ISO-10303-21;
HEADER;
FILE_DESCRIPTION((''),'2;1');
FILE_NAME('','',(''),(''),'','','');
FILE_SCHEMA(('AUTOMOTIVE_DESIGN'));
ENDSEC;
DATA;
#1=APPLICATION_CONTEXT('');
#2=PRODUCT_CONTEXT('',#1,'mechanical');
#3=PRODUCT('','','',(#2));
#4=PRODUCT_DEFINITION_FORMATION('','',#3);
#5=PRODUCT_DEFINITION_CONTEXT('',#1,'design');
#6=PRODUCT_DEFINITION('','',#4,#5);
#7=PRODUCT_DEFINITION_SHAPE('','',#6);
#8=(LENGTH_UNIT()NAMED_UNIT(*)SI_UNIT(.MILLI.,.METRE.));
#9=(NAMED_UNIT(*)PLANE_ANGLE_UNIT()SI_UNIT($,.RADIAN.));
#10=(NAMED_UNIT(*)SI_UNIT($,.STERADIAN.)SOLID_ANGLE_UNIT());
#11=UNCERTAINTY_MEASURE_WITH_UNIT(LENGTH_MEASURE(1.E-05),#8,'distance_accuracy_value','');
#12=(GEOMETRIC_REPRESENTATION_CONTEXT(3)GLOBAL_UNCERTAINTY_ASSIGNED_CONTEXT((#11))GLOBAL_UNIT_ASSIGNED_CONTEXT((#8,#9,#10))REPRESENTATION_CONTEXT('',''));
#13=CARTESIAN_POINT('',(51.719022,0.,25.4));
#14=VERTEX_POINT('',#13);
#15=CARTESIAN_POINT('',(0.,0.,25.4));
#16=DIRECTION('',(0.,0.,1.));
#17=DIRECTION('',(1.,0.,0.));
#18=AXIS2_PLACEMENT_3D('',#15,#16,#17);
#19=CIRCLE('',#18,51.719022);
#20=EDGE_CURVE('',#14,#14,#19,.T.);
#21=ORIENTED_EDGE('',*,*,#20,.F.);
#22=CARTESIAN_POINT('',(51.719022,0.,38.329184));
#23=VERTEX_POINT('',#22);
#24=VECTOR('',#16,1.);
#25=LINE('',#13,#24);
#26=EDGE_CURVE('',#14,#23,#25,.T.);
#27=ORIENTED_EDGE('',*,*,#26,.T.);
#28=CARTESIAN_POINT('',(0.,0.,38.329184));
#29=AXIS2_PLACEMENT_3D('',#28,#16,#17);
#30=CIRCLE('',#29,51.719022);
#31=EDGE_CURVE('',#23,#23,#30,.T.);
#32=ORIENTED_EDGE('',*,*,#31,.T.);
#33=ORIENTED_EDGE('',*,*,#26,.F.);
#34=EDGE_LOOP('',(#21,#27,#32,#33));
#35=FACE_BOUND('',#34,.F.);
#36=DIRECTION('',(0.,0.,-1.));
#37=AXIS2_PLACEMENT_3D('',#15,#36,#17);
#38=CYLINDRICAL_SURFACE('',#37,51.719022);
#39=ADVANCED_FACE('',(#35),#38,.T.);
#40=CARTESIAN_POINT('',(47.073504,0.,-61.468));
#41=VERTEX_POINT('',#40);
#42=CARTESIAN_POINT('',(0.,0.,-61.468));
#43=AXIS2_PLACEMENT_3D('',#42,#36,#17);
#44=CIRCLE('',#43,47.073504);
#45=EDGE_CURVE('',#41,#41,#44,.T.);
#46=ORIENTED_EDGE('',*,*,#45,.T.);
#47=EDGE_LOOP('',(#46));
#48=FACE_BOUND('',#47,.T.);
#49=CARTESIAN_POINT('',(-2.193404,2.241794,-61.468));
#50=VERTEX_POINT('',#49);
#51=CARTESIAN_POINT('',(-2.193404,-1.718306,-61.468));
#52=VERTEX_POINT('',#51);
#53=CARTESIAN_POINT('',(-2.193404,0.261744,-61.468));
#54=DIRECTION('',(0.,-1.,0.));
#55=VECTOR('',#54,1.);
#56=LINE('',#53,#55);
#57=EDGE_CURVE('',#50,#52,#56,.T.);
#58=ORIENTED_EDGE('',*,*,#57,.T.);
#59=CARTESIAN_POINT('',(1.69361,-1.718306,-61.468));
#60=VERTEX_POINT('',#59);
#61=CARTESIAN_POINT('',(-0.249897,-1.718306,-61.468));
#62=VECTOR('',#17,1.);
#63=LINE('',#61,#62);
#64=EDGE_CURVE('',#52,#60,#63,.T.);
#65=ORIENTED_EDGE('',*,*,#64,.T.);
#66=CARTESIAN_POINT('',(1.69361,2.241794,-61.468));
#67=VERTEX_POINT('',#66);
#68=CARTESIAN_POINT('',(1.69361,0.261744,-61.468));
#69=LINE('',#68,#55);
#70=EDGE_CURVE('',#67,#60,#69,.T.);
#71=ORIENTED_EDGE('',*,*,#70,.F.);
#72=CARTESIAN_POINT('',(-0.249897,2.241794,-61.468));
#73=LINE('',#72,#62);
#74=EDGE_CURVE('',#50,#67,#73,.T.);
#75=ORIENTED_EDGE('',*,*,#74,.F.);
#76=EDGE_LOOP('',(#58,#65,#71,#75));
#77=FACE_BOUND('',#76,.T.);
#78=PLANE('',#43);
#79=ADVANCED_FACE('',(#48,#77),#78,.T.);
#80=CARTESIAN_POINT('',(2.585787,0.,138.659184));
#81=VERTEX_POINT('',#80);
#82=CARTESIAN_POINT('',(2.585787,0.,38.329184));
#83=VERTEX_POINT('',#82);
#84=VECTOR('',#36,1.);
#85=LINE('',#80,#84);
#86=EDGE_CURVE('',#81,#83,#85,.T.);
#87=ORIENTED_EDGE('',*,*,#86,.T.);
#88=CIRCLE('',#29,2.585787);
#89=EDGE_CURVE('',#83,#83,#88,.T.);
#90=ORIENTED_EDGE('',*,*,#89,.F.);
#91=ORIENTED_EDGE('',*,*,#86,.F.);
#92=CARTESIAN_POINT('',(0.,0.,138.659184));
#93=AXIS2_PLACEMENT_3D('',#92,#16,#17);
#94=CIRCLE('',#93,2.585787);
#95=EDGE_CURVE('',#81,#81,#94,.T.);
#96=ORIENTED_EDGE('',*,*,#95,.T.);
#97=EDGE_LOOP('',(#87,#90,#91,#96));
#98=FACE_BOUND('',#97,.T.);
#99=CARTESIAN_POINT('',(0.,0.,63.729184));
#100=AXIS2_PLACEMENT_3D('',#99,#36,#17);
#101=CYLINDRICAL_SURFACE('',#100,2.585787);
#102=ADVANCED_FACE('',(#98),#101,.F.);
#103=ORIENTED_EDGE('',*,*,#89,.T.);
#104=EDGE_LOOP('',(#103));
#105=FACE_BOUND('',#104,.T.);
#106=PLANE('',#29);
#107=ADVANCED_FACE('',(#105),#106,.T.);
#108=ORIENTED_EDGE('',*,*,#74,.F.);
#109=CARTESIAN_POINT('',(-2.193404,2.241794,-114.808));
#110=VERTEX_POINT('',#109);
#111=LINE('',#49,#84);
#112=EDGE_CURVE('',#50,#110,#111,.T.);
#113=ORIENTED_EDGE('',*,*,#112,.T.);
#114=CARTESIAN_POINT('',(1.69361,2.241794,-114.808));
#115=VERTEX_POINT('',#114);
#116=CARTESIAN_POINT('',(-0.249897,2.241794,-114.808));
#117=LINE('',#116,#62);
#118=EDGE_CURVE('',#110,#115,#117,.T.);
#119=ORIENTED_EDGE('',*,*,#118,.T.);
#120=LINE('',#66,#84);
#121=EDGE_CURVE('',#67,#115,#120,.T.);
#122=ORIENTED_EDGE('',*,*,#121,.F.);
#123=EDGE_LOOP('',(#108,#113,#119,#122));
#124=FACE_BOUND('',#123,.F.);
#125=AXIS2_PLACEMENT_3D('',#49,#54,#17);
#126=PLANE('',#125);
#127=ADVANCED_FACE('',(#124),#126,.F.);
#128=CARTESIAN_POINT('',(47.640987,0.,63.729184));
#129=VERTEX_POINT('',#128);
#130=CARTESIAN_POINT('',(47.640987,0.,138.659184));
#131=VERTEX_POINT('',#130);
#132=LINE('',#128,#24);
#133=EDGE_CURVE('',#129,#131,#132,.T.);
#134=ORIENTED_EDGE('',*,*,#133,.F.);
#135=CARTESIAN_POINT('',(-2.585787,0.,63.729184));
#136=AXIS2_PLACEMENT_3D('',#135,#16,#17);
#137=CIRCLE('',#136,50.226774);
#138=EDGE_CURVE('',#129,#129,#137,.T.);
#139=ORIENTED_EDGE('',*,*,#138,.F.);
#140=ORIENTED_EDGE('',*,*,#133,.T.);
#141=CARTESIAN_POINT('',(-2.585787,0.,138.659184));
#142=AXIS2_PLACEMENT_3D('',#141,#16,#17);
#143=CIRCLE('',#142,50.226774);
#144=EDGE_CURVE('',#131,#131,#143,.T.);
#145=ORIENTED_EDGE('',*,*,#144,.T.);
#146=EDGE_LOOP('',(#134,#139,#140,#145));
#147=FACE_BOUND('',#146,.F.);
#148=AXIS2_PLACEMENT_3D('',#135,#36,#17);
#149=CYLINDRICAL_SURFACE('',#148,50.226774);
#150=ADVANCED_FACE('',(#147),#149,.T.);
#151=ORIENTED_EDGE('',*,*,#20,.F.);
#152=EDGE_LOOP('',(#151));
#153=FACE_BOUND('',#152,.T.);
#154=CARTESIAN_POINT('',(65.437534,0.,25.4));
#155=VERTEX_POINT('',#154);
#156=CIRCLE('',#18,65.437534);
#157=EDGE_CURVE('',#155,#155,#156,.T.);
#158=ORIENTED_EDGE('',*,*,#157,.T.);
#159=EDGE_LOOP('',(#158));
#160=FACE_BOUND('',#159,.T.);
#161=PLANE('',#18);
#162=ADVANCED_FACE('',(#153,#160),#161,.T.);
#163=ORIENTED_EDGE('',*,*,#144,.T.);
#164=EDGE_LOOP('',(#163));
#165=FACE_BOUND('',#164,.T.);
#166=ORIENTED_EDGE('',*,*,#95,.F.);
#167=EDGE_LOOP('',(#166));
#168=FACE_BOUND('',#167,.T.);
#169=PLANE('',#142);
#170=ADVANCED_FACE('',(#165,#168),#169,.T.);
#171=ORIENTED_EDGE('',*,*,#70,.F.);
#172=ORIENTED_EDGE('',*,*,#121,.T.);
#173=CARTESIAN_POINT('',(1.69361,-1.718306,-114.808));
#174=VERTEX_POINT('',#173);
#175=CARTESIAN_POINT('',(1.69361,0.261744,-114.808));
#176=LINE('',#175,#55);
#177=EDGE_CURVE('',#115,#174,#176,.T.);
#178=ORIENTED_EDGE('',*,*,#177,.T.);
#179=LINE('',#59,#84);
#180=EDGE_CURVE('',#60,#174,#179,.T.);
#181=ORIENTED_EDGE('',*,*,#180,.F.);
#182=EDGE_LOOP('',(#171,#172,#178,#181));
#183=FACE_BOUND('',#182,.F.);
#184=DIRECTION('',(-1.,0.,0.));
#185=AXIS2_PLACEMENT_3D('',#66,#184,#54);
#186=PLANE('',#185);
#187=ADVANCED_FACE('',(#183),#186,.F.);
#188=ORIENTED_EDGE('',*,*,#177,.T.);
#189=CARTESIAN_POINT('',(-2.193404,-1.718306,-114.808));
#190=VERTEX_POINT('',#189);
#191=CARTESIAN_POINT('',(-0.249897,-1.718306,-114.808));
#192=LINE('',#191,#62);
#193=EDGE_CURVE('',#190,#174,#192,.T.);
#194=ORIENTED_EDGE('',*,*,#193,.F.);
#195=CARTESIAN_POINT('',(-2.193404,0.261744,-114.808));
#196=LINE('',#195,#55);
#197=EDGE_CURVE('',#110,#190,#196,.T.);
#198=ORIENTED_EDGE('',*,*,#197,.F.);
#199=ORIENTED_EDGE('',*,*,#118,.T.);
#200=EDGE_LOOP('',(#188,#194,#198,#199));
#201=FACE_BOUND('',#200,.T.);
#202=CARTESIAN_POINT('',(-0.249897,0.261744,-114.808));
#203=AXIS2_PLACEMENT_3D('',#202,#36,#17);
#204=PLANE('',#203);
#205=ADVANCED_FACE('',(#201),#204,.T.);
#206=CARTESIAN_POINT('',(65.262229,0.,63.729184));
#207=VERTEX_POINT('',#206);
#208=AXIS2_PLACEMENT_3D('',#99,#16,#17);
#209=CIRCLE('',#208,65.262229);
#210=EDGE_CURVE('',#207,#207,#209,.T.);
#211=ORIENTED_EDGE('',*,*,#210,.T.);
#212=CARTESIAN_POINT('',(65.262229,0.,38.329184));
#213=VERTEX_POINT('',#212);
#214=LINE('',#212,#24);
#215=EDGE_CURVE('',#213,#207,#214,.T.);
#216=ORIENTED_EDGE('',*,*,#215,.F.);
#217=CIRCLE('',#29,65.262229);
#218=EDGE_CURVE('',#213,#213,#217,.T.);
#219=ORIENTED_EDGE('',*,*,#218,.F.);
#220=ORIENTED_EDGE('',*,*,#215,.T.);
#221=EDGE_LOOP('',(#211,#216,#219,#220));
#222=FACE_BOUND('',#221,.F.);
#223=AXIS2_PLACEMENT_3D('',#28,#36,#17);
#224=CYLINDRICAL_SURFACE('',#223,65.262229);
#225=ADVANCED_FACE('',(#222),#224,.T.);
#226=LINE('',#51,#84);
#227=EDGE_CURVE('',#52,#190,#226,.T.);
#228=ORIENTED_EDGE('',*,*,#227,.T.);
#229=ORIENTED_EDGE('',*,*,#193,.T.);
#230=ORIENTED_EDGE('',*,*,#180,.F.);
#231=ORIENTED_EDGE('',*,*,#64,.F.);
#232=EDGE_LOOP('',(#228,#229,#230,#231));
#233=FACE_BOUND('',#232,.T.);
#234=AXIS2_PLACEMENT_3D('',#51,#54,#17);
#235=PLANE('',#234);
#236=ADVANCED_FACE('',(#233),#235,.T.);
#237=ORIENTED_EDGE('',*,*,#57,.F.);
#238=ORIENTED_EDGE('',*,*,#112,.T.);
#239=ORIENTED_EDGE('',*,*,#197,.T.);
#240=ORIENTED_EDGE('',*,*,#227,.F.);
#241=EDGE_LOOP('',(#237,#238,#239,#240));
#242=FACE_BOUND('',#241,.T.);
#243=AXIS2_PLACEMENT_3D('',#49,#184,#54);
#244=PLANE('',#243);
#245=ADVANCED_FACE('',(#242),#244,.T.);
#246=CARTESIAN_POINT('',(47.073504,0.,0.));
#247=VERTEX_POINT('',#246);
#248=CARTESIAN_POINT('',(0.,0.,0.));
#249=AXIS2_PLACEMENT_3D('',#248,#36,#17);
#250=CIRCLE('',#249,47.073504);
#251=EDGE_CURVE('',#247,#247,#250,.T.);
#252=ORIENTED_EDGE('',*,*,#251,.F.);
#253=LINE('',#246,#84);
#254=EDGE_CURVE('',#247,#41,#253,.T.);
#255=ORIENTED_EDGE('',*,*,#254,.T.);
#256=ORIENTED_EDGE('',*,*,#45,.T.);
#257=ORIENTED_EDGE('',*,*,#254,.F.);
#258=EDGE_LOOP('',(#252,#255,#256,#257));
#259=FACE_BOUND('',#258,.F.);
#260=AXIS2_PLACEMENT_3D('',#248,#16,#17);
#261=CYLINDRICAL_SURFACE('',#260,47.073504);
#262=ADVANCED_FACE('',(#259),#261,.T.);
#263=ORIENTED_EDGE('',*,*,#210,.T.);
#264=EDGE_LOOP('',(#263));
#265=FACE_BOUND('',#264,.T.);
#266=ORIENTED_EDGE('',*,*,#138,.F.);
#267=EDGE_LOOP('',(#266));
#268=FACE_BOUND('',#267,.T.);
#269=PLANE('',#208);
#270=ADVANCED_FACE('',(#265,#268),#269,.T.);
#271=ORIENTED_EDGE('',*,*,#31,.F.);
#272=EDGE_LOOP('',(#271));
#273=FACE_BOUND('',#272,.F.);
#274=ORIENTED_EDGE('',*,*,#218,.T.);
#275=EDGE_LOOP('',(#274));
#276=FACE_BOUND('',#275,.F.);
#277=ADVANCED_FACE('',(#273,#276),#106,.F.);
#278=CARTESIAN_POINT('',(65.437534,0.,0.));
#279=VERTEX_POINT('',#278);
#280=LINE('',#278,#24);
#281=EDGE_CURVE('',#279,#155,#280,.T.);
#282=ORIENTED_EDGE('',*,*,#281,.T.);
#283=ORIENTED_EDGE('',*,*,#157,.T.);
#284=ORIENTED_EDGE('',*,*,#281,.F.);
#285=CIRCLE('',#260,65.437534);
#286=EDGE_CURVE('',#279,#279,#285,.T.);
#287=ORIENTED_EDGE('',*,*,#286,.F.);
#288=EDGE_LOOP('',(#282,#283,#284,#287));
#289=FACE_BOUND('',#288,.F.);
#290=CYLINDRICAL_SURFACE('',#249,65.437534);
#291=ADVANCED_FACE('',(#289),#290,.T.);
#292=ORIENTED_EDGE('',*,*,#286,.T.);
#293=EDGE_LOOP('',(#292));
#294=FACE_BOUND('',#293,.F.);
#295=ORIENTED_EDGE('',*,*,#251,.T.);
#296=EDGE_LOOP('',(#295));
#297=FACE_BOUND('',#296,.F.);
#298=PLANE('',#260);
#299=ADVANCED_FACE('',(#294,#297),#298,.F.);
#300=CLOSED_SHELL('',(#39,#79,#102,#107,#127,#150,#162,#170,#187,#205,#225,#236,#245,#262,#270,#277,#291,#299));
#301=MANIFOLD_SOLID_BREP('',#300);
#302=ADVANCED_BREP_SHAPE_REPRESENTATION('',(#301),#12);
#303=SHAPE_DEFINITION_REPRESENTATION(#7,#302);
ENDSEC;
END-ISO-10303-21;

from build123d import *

# Parameters (mm, degrees)
F0_R      = 65.437534
F1_DEPTH  = 25.4
F2_R      = 51.719022
F3_DEPTH  = 12.929184
F4_R      = 51.719022
F4_R_2    = 2.585787
F4_R_3    = 65.262229
F5_DEPTH  = 25.4
F6_R      = 47.073504
F7_DEPTH  = 61.468
F8_R      = 50.226774
F8_R_2    = 2.585787
F9_DEPTH  = 74.93
F11_W     = 9.235289
F11_H     = 11.885514
F10_R     = 47.073504
F12_DEPTH = 1.524
F13_W     = 3.887014
F13_H     = 3.9601
F14_DEPTH = 53.34


with BuildPart() as f1:
    # F0 (on Top) → F1 (new body)
    with BuildSketch(Plane.XY):
        Circle(F0_R)
    extrude(amount=F1_DEPTH)

    # F2 (on face) → F3 (join)
    with BuildSketch(Plane.XY.offset(25.4)):
        Circle(F2_R)
    extrude(amount=F3_DEPTH)

    # F4 (on face) → F5 (join)
    with BuildSketch(Plane.XY.offset(38.329184)):
        Circle(F4_R)
        Circle(F4_R_2, mode=Mode.SUBTRACT)
        Circle(F4_R_3)
        Circle(F4_R_2, mode=Mode.SUBTRACT)
    extrude(amount=F5_DEPTH)

    # F6 (on face) → F7 (join)
    with BuildSketch(Plane(origin=(0, 0, 0), x_dir=(1, 0, 0), z_dir=(0, 0, -1))):
        Circle(F6_R)
    extrude(amount=F7_DEPTH)

    # F8 (on face) → F9 (join)
    with BuildSketch(Plane.XY.offset(63.729184)):
        with Locations((-2.585787, 0)):
            Circle(F8_R)
        Circle(F8_R_2, mode=Mode.SUBTRACT)
    extrude(amount=F9_DEPTH)

    # F11 (on face) + F10 (on face) → F12 (join)
    with BuildSketch(Plane(origin=(0, 0, -61.468), x_dir=(1, 0, 0), z_dir=(0, 0, -1))):
        with Locations((0.111258, -0.588183)):
            Rectangle(F11_W, F11_H)
    with BuildSketch(Plane(origin=(0, 0, -61.468), x_dir=(1, 0, 0), z_dir=(0, 0, -1))):
        Circle(F10_R)
    extrude(amount=-F12_DEPTH)

    # F13 (on face) → F14 (join)
    with BuildSketch(Plane(origin=(0, 0, -61.468), x_dir=(1, 0, 0), z_dir=(0, 0, -1))):
        with Locations((-0.249897, -0.261744)):
            Rectangle(F13_W, F13_H)
    extrude(amount=F14_DEPTH)


solid = f1.part
